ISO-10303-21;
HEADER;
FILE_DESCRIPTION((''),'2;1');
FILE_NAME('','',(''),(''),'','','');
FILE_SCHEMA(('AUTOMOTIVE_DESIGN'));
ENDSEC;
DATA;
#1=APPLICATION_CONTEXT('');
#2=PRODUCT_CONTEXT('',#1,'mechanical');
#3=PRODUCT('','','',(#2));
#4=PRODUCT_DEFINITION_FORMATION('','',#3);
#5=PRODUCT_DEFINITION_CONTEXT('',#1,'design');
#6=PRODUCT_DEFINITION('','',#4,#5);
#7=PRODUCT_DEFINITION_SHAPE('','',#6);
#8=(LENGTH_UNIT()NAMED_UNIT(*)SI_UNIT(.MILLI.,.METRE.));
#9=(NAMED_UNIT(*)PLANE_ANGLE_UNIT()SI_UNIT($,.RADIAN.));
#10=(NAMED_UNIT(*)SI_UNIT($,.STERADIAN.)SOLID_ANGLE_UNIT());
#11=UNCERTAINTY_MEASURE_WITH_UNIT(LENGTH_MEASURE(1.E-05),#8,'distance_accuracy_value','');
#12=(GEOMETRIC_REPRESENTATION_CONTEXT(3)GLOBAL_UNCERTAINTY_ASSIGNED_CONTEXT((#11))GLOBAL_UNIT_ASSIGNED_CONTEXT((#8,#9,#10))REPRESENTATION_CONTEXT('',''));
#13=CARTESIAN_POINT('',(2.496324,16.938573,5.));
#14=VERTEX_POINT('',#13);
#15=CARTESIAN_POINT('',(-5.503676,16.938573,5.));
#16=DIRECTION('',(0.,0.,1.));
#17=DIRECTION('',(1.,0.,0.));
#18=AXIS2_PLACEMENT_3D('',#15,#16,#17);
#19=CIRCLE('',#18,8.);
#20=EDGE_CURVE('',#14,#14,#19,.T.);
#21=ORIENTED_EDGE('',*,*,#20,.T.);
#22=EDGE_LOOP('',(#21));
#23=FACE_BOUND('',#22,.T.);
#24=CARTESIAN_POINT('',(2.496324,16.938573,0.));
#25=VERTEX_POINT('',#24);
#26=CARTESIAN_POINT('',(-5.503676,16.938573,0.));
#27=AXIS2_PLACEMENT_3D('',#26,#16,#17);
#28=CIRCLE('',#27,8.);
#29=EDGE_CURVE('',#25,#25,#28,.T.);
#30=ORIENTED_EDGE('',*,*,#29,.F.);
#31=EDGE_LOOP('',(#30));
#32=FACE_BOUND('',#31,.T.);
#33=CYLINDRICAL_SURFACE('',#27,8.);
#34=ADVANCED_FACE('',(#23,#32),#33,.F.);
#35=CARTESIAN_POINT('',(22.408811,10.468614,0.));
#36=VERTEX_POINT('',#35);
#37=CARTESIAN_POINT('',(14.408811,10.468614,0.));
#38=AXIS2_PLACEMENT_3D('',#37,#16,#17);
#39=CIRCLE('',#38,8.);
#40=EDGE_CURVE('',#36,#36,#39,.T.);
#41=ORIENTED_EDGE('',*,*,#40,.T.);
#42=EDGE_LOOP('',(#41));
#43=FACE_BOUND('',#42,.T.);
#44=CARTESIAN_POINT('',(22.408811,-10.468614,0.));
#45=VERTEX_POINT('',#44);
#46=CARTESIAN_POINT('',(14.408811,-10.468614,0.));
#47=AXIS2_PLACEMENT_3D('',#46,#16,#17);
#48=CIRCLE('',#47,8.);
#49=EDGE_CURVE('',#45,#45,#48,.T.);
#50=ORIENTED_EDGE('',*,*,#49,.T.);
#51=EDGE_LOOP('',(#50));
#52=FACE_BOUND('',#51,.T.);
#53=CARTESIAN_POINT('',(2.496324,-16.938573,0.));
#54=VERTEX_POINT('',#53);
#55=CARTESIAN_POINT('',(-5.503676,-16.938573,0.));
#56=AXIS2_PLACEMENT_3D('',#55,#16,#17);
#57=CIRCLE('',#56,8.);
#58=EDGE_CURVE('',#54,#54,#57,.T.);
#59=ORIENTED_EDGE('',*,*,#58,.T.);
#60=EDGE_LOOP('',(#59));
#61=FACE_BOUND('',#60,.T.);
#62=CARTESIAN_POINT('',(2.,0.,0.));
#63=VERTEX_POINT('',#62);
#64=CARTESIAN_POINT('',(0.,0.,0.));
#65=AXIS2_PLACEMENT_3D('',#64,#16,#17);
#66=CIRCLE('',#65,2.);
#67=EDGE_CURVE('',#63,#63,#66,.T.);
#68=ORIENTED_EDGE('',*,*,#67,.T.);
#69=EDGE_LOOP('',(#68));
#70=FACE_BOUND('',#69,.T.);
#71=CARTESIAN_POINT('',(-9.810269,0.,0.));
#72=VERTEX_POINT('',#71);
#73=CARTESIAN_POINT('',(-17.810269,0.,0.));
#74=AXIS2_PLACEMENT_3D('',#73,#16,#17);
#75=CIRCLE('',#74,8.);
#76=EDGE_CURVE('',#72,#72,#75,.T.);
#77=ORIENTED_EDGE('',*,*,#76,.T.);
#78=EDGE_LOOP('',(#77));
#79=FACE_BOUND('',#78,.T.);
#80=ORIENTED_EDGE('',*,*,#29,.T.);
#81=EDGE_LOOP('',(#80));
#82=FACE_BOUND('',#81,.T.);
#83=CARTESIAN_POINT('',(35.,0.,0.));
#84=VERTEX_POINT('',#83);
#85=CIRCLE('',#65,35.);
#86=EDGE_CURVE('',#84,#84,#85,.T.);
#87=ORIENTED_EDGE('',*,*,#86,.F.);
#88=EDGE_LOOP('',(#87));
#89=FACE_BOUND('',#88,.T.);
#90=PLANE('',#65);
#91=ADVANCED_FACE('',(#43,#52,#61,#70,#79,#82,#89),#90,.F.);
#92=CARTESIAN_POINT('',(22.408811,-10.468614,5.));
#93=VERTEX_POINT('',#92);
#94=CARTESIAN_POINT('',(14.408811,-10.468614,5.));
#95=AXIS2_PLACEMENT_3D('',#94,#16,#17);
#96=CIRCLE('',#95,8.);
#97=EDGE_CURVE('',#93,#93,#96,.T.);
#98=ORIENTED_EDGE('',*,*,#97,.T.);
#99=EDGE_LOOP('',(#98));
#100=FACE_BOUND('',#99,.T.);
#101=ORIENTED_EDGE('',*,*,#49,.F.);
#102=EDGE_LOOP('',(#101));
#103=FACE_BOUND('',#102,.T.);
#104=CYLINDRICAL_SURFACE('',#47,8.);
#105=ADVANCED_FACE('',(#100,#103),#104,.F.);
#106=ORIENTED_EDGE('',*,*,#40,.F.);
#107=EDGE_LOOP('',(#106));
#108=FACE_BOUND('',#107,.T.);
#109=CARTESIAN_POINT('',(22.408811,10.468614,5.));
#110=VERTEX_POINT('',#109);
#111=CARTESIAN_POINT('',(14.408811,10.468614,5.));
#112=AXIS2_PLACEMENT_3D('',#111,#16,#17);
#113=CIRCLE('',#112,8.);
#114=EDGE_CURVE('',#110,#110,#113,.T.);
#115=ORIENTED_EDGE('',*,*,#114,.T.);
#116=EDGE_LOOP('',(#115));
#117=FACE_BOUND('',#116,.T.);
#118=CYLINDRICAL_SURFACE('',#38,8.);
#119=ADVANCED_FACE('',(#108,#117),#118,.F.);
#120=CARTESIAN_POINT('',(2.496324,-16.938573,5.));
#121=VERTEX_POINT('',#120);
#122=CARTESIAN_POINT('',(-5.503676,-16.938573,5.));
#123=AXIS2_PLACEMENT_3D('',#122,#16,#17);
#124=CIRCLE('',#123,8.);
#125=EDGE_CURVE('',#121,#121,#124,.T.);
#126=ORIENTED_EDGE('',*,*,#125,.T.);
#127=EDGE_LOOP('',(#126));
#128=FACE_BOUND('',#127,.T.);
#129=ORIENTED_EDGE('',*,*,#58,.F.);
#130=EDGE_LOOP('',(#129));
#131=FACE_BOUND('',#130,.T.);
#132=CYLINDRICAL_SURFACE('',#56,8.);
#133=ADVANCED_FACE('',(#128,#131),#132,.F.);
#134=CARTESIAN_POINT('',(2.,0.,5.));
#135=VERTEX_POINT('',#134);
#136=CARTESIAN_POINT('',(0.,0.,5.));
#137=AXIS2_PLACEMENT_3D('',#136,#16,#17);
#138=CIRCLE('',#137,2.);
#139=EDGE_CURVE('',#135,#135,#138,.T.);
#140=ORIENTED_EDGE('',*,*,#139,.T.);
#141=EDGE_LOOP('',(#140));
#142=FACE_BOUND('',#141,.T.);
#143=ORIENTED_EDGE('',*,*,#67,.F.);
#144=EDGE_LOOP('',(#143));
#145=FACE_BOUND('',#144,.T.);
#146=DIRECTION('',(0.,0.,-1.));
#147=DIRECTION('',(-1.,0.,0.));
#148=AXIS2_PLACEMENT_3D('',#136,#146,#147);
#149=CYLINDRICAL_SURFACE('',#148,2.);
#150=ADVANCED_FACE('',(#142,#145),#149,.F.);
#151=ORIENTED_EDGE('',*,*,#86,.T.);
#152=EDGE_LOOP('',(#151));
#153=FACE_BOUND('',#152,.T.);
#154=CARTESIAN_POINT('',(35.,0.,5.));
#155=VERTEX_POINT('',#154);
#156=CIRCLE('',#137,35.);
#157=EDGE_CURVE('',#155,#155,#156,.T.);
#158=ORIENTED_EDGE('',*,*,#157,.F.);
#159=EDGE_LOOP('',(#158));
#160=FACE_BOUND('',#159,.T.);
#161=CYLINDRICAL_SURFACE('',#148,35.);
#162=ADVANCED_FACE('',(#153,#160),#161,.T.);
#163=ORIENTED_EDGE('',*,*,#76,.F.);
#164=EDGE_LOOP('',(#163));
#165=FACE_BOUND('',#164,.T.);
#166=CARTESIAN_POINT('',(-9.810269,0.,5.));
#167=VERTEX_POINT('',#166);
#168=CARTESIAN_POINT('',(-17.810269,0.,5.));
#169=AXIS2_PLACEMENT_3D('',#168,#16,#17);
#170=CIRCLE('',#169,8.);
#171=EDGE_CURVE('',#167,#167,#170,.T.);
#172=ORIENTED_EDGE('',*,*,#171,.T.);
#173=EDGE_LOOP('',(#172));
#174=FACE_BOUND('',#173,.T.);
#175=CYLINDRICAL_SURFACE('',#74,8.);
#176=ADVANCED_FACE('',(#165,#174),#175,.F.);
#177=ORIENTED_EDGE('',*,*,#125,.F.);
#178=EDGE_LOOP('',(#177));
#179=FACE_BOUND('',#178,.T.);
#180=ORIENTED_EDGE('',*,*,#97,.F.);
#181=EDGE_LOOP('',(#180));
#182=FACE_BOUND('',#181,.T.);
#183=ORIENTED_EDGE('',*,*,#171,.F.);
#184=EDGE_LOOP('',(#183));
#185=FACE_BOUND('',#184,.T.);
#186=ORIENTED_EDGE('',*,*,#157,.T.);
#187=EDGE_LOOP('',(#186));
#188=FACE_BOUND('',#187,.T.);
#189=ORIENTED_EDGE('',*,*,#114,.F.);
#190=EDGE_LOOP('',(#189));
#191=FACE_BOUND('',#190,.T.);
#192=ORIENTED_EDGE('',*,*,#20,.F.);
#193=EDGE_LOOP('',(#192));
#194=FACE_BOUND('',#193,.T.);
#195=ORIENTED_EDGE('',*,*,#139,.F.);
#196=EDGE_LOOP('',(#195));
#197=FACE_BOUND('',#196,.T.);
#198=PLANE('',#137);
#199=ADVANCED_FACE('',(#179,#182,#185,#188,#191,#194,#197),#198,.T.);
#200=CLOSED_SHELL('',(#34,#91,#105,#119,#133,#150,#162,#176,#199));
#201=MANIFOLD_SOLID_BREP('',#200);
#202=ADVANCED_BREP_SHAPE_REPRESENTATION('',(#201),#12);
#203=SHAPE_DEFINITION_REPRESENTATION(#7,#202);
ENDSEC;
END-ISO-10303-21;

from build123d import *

# Parameters (mm, degrees)
ESQUISSE1_R             = 35
ESQUISSE1_R_2           = 2
CIRCONFERENCE_DEPTH     = 5
ESQUISSE2_R             = 8
ENL_V_MAT_EXTRU_1_DEPTH = 6


with BuildPart() as part:
    # Esquisse1 → circonference (new body)
    with BuildSketch(Plane.XY):
        Circle(ESQUISSE1_R)
        Circle(ESQUISSE1_R_2, mode=Mode.SUBTRACT)
    extrude(amount=CIRCONFERENCE_DEPTH)

    # Esquisse2 → Enlèv. mat.-Extru.1 (cut, through all)
    with BuildSketch(Plane.XY.offset(5)):
        with Locations((-17.810269486, 0)):
            Circle(ESQUISSE2_R)
        with Locations((-5.503675945, 16.938572851)):
            Circle(ESQUISSE2_R)
        with Locations((14.408810688, 10.468613743)):
            Circle(ESQUISSE2_R)
        with Locations((14.408810688, -10.468613743)):
            Circle(ESQUISSE2_R)
        with Locations((-5.503675945, -16.938572851)):
            Circle(ESQUISSE2_R)
    extrude(amount=-ENL_V_MAT_EXTRU_1_DEPTH, mode=Mode.SUBTRACT)


solid = part.part
